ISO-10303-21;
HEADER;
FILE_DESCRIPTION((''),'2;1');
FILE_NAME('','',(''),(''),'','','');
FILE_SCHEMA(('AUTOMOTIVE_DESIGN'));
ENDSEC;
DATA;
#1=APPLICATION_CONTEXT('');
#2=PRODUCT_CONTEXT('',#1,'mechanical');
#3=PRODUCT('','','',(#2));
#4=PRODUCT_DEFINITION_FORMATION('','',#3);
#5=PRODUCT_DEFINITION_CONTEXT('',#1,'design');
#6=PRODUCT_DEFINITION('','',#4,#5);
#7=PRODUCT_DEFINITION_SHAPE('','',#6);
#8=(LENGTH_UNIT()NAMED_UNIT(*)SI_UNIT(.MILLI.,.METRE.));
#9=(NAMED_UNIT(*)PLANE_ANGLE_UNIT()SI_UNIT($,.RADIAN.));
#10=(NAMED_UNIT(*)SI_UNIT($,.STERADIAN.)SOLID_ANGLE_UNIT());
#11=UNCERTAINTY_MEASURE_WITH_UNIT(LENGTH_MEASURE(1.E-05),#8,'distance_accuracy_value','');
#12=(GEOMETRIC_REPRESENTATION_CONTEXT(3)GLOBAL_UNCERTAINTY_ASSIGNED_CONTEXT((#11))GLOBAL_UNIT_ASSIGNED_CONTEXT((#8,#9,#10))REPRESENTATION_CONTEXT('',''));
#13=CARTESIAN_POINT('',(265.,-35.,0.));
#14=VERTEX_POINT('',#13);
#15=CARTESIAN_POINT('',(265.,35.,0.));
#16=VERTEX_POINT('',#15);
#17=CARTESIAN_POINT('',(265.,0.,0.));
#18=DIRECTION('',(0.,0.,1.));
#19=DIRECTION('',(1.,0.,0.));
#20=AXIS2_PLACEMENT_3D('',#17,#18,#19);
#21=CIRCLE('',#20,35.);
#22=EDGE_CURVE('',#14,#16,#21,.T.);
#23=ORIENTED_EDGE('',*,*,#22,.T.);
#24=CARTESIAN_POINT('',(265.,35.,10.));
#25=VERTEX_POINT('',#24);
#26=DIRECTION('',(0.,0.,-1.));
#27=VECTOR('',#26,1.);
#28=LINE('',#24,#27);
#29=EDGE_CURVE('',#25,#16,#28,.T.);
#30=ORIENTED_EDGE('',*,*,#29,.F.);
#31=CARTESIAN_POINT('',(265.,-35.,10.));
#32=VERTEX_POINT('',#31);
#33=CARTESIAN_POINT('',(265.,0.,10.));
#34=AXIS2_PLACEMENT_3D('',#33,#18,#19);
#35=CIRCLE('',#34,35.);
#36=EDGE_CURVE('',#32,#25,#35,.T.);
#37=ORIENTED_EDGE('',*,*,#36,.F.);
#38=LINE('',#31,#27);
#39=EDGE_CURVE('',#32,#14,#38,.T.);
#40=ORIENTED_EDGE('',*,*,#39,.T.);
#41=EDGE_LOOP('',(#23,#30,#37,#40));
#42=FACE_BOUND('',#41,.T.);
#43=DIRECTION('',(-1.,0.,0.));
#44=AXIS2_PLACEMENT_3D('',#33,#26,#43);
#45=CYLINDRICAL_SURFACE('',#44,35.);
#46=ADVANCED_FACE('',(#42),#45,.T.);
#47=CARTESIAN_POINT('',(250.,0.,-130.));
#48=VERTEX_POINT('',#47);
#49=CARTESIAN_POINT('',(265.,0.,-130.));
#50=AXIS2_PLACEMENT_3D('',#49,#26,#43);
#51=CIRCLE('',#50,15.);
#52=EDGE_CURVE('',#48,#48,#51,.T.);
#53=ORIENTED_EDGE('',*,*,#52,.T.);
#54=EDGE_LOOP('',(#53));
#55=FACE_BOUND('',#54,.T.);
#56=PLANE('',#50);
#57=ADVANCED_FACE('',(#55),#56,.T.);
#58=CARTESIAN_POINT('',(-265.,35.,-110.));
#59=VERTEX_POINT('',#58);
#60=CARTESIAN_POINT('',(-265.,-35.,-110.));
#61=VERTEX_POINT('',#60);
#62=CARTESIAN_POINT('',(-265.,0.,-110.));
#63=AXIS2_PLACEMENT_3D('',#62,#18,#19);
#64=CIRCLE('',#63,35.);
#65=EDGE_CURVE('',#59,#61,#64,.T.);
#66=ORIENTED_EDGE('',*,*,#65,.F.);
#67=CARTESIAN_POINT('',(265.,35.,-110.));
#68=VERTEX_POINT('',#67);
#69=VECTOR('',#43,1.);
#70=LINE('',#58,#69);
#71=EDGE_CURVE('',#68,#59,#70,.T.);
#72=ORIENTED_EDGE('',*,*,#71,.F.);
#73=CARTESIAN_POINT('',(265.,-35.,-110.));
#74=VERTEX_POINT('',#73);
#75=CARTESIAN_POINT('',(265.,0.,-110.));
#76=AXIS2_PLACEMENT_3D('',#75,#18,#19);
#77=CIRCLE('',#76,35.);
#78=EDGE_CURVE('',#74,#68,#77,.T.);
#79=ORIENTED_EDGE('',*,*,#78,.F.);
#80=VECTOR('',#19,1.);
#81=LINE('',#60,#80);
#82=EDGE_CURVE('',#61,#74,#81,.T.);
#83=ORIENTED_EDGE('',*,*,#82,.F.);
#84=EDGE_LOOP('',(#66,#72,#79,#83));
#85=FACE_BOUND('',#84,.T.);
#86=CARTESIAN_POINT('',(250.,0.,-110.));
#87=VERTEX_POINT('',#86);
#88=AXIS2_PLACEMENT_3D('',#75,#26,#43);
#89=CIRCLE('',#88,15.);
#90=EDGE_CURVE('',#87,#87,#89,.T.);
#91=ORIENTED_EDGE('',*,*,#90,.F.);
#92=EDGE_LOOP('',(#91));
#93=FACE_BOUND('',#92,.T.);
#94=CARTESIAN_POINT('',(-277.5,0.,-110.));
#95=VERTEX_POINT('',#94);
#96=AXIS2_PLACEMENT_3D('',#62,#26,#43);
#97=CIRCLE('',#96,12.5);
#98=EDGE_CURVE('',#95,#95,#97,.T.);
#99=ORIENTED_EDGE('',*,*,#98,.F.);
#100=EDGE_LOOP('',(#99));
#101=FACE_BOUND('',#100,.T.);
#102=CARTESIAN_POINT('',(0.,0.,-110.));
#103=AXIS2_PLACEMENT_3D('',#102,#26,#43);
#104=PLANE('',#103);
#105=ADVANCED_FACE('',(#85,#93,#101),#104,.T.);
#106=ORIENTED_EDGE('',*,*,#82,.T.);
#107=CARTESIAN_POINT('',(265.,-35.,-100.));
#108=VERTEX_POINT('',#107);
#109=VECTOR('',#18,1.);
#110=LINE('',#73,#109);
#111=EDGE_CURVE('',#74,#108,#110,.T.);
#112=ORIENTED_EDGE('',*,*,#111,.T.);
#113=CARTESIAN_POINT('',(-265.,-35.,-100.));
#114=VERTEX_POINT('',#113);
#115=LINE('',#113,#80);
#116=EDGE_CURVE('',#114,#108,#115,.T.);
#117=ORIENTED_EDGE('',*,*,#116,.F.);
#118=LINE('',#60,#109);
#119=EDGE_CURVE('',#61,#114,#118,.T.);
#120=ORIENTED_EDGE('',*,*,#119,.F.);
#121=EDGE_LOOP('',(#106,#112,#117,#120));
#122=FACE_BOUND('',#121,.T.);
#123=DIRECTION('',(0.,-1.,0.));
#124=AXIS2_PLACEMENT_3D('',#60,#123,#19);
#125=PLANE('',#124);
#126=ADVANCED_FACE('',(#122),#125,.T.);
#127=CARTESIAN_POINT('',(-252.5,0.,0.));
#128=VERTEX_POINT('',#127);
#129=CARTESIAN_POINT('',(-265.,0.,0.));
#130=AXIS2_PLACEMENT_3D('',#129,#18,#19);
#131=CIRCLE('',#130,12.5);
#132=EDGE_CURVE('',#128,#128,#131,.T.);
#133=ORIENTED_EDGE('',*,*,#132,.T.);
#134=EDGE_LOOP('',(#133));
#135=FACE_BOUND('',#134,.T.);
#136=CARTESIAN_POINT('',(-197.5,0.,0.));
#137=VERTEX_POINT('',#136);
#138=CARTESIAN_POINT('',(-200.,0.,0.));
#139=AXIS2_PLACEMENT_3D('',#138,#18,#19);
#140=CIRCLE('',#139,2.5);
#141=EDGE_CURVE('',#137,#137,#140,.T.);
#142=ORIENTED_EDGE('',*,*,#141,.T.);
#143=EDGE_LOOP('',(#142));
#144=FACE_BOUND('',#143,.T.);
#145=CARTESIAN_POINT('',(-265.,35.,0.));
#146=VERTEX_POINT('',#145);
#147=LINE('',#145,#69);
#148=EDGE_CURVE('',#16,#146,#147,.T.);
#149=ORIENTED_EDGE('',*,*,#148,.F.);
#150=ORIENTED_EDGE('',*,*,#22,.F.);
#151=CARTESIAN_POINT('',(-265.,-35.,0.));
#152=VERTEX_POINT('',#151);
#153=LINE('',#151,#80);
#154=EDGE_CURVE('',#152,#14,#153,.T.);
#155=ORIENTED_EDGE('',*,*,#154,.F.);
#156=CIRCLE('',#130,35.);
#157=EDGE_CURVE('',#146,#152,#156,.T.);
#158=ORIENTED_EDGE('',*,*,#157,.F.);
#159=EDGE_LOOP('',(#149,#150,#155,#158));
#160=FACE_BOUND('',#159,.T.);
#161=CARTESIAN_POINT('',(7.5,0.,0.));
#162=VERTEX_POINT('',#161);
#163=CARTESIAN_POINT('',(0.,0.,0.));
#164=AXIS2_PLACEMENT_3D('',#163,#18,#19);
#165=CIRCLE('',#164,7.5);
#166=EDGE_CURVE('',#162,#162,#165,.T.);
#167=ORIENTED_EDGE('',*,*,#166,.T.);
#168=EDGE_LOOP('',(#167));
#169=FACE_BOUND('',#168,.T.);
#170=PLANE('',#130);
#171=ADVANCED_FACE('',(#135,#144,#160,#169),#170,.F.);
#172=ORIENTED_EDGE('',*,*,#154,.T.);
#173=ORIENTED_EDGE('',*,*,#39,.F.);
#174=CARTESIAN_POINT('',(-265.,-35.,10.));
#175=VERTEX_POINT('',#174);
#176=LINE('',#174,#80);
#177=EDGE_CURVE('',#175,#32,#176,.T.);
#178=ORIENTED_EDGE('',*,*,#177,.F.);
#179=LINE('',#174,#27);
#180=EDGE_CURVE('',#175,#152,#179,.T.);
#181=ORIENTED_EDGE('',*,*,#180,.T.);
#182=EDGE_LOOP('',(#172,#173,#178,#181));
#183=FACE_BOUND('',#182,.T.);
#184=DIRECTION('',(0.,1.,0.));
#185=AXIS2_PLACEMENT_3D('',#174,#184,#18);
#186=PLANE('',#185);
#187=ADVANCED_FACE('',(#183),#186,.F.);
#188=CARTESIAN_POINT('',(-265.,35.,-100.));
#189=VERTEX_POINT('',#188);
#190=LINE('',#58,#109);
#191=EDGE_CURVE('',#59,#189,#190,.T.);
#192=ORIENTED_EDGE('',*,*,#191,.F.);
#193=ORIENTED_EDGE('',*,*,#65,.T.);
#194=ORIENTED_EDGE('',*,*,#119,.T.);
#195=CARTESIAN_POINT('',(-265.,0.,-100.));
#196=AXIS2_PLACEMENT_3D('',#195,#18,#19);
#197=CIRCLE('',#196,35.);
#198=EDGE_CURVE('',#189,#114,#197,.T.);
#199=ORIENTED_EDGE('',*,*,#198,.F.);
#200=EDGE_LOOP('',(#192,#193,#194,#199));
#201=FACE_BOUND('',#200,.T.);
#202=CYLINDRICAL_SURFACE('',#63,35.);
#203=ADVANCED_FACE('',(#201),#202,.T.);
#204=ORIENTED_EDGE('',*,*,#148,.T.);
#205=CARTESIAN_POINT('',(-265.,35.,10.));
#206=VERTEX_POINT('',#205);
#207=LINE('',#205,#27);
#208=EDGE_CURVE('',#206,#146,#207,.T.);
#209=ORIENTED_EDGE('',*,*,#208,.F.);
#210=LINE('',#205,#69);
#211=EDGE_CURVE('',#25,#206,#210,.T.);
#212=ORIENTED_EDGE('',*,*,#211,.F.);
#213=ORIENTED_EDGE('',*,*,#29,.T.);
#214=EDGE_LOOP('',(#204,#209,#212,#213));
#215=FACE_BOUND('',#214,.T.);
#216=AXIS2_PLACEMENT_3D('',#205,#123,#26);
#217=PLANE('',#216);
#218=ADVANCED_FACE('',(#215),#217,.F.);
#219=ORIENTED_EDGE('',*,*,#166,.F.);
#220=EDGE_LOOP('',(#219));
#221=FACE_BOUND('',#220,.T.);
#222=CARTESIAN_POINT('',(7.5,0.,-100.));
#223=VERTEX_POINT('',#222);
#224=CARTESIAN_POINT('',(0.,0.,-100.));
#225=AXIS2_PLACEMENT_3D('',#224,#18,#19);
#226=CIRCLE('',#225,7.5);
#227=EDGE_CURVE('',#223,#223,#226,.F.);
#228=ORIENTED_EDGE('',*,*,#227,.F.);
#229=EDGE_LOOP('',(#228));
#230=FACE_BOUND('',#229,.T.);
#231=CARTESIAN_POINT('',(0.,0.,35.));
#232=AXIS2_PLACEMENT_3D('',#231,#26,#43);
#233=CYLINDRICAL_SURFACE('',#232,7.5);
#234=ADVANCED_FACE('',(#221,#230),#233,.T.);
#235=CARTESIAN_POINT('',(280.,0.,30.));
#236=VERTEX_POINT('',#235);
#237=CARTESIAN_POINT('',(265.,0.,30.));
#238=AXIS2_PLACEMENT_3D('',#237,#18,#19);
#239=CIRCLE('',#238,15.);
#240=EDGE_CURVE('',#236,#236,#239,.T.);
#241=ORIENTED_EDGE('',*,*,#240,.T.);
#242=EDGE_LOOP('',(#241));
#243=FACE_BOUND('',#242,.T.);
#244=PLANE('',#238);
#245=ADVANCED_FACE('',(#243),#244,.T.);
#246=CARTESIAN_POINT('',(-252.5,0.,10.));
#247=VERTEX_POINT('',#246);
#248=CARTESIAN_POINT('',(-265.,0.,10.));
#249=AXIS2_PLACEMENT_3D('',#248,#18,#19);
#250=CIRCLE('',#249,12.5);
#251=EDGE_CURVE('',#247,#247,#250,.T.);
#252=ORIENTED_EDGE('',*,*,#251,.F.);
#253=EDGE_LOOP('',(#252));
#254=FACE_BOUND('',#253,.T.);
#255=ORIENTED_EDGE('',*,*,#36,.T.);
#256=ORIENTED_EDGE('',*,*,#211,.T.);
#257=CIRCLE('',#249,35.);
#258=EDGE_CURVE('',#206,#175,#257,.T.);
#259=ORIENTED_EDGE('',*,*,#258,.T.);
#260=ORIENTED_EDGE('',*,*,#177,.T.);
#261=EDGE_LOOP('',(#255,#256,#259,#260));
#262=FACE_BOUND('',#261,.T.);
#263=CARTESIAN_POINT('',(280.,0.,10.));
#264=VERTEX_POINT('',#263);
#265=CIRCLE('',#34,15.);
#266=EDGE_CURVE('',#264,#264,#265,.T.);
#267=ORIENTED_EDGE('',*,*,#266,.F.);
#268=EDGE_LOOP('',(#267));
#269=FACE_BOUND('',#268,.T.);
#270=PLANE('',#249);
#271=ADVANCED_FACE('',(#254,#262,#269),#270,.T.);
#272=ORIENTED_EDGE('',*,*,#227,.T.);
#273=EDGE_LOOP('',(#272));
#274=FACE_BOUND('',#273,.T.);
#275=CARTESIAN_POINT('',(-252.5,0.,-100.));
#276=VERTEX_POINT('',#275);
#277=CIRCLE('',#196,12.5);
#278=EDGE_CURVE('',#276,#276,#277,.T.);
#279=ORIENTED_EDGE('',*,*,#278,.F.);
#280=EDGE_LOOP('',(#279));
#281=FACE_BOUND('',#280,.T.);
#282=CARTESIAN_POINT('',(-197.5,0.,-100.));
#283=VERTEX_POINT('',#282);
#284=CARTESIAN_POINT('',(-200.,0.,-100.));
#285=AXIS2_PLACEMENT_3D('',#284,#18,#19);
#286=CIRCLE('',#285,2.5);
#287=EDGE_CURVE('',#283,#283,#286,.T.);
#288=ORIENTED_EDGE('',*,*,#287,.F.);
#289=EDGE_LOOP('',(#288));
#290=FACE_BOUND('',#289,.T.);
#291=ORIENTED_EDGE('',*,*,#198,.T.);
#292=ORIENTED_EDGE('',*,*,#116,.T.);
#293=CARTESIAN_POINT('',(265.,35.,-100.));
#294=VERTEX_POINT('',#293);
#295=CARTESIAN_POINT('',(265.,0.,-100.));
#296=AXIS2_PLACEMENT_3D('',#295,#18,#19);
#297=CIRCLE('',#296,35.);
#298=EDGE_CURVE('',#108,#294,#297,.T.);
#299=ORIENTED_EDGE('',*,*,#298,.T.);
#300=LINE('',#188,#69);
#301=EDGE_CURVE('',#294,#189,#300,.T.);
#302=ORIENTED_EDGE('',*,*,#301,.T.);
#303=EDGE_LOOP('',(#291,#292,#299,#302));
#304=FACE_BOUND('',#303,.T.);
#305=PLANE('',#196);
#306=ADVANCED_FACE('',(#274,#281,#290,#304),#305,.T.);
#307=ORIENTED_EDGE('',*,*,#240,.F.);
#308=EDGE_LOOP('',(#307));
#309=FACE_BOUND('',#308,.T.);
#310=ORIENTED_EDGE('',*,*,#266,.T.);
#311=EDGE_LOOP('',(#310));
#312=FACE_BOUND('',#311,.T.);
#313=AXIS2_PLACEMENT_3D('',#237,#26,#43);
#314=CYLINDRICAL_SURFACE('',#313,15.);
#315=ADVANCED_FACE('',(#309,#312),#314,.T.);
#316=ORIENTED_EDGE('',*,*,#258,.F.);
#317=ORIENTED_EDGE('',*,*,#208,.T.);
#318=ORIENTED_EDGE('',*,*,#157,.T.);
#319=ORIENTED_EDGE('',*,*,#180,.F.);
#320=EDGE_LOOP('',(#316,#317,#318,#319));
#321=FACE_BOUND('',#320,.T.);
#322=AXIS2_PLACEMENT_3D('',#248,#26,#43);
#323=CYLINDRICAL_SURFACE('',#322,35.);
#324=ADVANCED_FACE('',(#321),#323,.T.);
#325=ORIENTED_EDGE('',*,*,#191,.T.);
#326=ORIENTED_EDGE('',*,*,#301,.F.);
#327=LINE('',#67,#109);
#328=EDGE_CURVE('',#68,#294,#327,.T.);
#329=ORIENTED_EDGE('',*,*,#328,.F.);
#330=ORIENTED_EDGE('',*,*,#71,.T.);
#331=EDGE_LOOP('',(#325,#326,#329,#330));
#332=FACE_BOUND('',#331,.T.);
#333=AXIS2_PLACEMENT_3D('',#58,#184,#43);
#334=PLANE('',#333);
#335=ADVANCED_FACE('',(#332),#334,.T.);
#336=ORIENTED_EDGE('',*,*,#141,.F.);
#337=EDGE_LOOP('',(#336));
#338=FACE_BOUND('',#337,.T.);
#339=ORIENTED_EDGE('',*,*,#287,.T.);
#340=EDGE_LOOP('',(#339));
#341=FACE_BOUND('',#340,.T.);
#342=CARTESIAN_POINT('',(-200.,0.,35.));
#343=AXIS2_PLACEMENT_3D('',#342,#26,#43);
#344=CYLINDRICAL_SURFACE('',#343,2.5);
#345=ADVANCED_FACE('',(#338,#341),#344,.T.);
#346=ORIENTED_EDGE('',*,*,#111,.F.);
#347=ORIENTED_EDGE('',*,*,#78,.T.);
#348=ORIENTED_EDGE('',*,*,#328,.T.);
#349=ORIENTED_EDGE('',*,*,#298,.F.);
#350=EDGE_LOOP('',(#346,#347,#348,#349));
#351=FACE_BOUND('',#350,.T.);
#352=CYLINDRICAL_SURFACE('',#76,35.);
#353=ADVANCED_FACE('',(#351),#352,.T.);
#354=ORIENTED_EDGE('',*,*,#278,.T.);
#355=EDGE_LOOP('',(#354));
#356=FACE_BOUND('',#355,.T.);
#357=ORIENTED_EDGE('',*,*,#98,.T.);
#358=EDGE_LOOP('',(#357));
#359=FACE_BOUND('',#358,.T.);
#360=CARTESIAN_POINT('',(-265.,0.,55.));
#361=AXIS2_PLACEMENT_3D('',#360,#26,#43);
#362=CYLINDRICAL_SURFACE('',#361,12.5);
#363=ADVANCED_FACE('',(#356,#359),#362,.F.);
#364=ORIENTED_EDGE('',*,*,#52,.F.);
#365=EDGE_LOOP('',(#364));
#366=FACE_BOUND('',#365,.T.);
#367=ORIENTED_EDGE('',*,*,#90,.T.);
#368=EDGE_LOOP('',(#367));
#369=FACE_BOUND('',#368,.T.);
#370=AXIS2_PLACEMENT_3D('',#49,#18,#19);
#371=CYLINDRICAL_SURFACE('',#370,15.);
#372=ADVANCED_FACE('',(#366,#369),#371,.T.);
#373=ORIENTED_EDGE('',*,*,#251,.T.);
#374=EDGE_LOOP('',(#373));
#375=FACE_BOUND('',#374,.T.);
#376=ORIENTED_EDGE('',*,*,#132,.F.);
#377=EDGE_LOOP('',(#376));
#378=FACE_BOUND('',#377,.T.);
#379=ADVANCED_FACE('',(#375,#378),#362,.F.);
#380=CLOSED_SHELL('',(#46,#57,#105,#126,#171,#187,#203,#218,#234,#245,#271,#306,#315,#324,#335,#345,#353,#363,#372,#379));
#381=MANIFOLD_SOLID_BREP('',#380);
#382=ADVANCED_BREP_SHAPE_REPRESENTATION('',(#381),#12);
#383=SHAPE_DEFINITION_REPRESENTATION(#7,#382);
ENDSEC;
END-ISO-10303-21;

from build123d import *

# Parameters (mm, degrees)
BOSS_EXTRUDE1_DEPTH = 10
BOSS_EXTRUDE2_DEPTH = 10
SKETCH3_R           = 7.5
BOSS_EXTRUDE3_DEPTH = 145
SKETCH4_R           = 2.5
BOSS_EXTRUDE4_DEPTH = 145
SKETCH6_R           = 12.5
CUT_EXTRUDE1_DEPTH  = 165
SKETCH9_R           = 7.5
CUT_EXTRUDE2_DEPTH  = 25
SKETCH11_R          = 15
BOSS_EXTRUDE6_DEPTH = 20
SKETCH12_R          = 15
BOSS_EXTRUDE7_DEPTH = 20
SKETCH13_R          = 15
CUT_EXTRUDE6_DEPTH  = 25


with BuildPart() as part:
    # Sketch1 → Boss-Extrude1 (new body)
    with BuildSketch(Plane.XY):
        with BuildLine():
            Line((-265, 35), (265, 35))
            ThreePointArc((265, 35), (300, 0), (265, -35))
            Line((265, -35), (-265, -35))
            ThreePointArc((-265, -35), (-300, 0), (-265, 35))
        make_face()
    extrude(amount=BOSS_EXTRUDE1_DEPTH)



with BuildPart() as body_2:
    # Sketch2 → Boss-Extrude2 (new body)
    with BuildSketch(Plane.XY.offset(-100)):
        with BuildLine():
            Line((-265, 35), (265, 35))
            ThreePointArc((265, 35), (300, 0), (265, -35))
            Line((265, -35), (-265, -35))
            ThreePointArc((-265, -35), (-300, 0), (-265, 35))
        make_face()
    extrude(amount=-BOSS_EXTRUDE2_DEPTH)


with BuildPart() as part_1:
    add(part.part)

    add(body_2.part)  # Boss-Extrude3 merges body 2
    # Sketch3 → Boss-Extrude3 (add)
    with BuildSketch(Plane(origin=(0, 0, -110), x_dir=(-1, 0, 0), z_dir=(0, 0, -1))):
        Circle(SKETCH3_R)
    extrude(amount=-BOSS_EXTRUDE3_DEPTH)

    # Sketch4 → Boss-Extrude4 (add)
    with BuildSketch(Plane(origin=(0, 0, -110), x_dir=(-1, 0, 0), z_dir=(0, 0, -1))):
        with Locations((200, 0)):
            Circle(SKETCH4_R)
    extrude(amount=-BOSS_EXTRUDE4_DEPTH)

    # Sketch6 → Cut-Extrude1 (cut)
    with BuildSketch(Plane(origin=(0, 0, -110), x_dir=(-1, 0, 0), z_dir=(0, 0, -1))):
        with Locations((265, 0)):
            Circle(SKETCH6_R)
    extrude(amount=-CUT_EXTRUDE1_DEPTH, mode=Mode.SUBTRACT)

    # Sketch9 → Cut-Extrude2 (cut)
    with BuildSketch(Plane.XY.offset(35)):
        with Locations((-200, 0)):
            Circle(SKETCH9_R)
    extrude(amount=-CUT_EXTRUDE2_DEPTH, mode=Mode.SUBTRACT)

    # Sketch11 → Boss-Extrude6 (add)
    with BuildSketch(Plane.XY.offset(10)):
        with Locations((265, 0)):
            Circle(SKETCH11_R)
    extrude(amount=BOSS_EXTRUDE6_DEPTH)

    # Sketch12 → Boss-Extrude7 (add)
    with BuildSketch(Plane(origin=(0, 0, -110), x_dir=(-1, 0, 0), z_dir=(0, 0, -1))):
        with Locations((-265, 0)):
            Circle(SKETCH12_R)
    extrude(amount=BOSS_EXTRUDE7_DEPTH)

    # Sketch13 → Cut-Extrude6 (cut)
    with BuildSketch(Plane.XY.offset(35)):
        Circle(SKETCH13_R)
    extrude(amount=-CUT_EXTRUDE6_DEPTH, mode=Mode.SUBTRACT)


solid = part_1.part
